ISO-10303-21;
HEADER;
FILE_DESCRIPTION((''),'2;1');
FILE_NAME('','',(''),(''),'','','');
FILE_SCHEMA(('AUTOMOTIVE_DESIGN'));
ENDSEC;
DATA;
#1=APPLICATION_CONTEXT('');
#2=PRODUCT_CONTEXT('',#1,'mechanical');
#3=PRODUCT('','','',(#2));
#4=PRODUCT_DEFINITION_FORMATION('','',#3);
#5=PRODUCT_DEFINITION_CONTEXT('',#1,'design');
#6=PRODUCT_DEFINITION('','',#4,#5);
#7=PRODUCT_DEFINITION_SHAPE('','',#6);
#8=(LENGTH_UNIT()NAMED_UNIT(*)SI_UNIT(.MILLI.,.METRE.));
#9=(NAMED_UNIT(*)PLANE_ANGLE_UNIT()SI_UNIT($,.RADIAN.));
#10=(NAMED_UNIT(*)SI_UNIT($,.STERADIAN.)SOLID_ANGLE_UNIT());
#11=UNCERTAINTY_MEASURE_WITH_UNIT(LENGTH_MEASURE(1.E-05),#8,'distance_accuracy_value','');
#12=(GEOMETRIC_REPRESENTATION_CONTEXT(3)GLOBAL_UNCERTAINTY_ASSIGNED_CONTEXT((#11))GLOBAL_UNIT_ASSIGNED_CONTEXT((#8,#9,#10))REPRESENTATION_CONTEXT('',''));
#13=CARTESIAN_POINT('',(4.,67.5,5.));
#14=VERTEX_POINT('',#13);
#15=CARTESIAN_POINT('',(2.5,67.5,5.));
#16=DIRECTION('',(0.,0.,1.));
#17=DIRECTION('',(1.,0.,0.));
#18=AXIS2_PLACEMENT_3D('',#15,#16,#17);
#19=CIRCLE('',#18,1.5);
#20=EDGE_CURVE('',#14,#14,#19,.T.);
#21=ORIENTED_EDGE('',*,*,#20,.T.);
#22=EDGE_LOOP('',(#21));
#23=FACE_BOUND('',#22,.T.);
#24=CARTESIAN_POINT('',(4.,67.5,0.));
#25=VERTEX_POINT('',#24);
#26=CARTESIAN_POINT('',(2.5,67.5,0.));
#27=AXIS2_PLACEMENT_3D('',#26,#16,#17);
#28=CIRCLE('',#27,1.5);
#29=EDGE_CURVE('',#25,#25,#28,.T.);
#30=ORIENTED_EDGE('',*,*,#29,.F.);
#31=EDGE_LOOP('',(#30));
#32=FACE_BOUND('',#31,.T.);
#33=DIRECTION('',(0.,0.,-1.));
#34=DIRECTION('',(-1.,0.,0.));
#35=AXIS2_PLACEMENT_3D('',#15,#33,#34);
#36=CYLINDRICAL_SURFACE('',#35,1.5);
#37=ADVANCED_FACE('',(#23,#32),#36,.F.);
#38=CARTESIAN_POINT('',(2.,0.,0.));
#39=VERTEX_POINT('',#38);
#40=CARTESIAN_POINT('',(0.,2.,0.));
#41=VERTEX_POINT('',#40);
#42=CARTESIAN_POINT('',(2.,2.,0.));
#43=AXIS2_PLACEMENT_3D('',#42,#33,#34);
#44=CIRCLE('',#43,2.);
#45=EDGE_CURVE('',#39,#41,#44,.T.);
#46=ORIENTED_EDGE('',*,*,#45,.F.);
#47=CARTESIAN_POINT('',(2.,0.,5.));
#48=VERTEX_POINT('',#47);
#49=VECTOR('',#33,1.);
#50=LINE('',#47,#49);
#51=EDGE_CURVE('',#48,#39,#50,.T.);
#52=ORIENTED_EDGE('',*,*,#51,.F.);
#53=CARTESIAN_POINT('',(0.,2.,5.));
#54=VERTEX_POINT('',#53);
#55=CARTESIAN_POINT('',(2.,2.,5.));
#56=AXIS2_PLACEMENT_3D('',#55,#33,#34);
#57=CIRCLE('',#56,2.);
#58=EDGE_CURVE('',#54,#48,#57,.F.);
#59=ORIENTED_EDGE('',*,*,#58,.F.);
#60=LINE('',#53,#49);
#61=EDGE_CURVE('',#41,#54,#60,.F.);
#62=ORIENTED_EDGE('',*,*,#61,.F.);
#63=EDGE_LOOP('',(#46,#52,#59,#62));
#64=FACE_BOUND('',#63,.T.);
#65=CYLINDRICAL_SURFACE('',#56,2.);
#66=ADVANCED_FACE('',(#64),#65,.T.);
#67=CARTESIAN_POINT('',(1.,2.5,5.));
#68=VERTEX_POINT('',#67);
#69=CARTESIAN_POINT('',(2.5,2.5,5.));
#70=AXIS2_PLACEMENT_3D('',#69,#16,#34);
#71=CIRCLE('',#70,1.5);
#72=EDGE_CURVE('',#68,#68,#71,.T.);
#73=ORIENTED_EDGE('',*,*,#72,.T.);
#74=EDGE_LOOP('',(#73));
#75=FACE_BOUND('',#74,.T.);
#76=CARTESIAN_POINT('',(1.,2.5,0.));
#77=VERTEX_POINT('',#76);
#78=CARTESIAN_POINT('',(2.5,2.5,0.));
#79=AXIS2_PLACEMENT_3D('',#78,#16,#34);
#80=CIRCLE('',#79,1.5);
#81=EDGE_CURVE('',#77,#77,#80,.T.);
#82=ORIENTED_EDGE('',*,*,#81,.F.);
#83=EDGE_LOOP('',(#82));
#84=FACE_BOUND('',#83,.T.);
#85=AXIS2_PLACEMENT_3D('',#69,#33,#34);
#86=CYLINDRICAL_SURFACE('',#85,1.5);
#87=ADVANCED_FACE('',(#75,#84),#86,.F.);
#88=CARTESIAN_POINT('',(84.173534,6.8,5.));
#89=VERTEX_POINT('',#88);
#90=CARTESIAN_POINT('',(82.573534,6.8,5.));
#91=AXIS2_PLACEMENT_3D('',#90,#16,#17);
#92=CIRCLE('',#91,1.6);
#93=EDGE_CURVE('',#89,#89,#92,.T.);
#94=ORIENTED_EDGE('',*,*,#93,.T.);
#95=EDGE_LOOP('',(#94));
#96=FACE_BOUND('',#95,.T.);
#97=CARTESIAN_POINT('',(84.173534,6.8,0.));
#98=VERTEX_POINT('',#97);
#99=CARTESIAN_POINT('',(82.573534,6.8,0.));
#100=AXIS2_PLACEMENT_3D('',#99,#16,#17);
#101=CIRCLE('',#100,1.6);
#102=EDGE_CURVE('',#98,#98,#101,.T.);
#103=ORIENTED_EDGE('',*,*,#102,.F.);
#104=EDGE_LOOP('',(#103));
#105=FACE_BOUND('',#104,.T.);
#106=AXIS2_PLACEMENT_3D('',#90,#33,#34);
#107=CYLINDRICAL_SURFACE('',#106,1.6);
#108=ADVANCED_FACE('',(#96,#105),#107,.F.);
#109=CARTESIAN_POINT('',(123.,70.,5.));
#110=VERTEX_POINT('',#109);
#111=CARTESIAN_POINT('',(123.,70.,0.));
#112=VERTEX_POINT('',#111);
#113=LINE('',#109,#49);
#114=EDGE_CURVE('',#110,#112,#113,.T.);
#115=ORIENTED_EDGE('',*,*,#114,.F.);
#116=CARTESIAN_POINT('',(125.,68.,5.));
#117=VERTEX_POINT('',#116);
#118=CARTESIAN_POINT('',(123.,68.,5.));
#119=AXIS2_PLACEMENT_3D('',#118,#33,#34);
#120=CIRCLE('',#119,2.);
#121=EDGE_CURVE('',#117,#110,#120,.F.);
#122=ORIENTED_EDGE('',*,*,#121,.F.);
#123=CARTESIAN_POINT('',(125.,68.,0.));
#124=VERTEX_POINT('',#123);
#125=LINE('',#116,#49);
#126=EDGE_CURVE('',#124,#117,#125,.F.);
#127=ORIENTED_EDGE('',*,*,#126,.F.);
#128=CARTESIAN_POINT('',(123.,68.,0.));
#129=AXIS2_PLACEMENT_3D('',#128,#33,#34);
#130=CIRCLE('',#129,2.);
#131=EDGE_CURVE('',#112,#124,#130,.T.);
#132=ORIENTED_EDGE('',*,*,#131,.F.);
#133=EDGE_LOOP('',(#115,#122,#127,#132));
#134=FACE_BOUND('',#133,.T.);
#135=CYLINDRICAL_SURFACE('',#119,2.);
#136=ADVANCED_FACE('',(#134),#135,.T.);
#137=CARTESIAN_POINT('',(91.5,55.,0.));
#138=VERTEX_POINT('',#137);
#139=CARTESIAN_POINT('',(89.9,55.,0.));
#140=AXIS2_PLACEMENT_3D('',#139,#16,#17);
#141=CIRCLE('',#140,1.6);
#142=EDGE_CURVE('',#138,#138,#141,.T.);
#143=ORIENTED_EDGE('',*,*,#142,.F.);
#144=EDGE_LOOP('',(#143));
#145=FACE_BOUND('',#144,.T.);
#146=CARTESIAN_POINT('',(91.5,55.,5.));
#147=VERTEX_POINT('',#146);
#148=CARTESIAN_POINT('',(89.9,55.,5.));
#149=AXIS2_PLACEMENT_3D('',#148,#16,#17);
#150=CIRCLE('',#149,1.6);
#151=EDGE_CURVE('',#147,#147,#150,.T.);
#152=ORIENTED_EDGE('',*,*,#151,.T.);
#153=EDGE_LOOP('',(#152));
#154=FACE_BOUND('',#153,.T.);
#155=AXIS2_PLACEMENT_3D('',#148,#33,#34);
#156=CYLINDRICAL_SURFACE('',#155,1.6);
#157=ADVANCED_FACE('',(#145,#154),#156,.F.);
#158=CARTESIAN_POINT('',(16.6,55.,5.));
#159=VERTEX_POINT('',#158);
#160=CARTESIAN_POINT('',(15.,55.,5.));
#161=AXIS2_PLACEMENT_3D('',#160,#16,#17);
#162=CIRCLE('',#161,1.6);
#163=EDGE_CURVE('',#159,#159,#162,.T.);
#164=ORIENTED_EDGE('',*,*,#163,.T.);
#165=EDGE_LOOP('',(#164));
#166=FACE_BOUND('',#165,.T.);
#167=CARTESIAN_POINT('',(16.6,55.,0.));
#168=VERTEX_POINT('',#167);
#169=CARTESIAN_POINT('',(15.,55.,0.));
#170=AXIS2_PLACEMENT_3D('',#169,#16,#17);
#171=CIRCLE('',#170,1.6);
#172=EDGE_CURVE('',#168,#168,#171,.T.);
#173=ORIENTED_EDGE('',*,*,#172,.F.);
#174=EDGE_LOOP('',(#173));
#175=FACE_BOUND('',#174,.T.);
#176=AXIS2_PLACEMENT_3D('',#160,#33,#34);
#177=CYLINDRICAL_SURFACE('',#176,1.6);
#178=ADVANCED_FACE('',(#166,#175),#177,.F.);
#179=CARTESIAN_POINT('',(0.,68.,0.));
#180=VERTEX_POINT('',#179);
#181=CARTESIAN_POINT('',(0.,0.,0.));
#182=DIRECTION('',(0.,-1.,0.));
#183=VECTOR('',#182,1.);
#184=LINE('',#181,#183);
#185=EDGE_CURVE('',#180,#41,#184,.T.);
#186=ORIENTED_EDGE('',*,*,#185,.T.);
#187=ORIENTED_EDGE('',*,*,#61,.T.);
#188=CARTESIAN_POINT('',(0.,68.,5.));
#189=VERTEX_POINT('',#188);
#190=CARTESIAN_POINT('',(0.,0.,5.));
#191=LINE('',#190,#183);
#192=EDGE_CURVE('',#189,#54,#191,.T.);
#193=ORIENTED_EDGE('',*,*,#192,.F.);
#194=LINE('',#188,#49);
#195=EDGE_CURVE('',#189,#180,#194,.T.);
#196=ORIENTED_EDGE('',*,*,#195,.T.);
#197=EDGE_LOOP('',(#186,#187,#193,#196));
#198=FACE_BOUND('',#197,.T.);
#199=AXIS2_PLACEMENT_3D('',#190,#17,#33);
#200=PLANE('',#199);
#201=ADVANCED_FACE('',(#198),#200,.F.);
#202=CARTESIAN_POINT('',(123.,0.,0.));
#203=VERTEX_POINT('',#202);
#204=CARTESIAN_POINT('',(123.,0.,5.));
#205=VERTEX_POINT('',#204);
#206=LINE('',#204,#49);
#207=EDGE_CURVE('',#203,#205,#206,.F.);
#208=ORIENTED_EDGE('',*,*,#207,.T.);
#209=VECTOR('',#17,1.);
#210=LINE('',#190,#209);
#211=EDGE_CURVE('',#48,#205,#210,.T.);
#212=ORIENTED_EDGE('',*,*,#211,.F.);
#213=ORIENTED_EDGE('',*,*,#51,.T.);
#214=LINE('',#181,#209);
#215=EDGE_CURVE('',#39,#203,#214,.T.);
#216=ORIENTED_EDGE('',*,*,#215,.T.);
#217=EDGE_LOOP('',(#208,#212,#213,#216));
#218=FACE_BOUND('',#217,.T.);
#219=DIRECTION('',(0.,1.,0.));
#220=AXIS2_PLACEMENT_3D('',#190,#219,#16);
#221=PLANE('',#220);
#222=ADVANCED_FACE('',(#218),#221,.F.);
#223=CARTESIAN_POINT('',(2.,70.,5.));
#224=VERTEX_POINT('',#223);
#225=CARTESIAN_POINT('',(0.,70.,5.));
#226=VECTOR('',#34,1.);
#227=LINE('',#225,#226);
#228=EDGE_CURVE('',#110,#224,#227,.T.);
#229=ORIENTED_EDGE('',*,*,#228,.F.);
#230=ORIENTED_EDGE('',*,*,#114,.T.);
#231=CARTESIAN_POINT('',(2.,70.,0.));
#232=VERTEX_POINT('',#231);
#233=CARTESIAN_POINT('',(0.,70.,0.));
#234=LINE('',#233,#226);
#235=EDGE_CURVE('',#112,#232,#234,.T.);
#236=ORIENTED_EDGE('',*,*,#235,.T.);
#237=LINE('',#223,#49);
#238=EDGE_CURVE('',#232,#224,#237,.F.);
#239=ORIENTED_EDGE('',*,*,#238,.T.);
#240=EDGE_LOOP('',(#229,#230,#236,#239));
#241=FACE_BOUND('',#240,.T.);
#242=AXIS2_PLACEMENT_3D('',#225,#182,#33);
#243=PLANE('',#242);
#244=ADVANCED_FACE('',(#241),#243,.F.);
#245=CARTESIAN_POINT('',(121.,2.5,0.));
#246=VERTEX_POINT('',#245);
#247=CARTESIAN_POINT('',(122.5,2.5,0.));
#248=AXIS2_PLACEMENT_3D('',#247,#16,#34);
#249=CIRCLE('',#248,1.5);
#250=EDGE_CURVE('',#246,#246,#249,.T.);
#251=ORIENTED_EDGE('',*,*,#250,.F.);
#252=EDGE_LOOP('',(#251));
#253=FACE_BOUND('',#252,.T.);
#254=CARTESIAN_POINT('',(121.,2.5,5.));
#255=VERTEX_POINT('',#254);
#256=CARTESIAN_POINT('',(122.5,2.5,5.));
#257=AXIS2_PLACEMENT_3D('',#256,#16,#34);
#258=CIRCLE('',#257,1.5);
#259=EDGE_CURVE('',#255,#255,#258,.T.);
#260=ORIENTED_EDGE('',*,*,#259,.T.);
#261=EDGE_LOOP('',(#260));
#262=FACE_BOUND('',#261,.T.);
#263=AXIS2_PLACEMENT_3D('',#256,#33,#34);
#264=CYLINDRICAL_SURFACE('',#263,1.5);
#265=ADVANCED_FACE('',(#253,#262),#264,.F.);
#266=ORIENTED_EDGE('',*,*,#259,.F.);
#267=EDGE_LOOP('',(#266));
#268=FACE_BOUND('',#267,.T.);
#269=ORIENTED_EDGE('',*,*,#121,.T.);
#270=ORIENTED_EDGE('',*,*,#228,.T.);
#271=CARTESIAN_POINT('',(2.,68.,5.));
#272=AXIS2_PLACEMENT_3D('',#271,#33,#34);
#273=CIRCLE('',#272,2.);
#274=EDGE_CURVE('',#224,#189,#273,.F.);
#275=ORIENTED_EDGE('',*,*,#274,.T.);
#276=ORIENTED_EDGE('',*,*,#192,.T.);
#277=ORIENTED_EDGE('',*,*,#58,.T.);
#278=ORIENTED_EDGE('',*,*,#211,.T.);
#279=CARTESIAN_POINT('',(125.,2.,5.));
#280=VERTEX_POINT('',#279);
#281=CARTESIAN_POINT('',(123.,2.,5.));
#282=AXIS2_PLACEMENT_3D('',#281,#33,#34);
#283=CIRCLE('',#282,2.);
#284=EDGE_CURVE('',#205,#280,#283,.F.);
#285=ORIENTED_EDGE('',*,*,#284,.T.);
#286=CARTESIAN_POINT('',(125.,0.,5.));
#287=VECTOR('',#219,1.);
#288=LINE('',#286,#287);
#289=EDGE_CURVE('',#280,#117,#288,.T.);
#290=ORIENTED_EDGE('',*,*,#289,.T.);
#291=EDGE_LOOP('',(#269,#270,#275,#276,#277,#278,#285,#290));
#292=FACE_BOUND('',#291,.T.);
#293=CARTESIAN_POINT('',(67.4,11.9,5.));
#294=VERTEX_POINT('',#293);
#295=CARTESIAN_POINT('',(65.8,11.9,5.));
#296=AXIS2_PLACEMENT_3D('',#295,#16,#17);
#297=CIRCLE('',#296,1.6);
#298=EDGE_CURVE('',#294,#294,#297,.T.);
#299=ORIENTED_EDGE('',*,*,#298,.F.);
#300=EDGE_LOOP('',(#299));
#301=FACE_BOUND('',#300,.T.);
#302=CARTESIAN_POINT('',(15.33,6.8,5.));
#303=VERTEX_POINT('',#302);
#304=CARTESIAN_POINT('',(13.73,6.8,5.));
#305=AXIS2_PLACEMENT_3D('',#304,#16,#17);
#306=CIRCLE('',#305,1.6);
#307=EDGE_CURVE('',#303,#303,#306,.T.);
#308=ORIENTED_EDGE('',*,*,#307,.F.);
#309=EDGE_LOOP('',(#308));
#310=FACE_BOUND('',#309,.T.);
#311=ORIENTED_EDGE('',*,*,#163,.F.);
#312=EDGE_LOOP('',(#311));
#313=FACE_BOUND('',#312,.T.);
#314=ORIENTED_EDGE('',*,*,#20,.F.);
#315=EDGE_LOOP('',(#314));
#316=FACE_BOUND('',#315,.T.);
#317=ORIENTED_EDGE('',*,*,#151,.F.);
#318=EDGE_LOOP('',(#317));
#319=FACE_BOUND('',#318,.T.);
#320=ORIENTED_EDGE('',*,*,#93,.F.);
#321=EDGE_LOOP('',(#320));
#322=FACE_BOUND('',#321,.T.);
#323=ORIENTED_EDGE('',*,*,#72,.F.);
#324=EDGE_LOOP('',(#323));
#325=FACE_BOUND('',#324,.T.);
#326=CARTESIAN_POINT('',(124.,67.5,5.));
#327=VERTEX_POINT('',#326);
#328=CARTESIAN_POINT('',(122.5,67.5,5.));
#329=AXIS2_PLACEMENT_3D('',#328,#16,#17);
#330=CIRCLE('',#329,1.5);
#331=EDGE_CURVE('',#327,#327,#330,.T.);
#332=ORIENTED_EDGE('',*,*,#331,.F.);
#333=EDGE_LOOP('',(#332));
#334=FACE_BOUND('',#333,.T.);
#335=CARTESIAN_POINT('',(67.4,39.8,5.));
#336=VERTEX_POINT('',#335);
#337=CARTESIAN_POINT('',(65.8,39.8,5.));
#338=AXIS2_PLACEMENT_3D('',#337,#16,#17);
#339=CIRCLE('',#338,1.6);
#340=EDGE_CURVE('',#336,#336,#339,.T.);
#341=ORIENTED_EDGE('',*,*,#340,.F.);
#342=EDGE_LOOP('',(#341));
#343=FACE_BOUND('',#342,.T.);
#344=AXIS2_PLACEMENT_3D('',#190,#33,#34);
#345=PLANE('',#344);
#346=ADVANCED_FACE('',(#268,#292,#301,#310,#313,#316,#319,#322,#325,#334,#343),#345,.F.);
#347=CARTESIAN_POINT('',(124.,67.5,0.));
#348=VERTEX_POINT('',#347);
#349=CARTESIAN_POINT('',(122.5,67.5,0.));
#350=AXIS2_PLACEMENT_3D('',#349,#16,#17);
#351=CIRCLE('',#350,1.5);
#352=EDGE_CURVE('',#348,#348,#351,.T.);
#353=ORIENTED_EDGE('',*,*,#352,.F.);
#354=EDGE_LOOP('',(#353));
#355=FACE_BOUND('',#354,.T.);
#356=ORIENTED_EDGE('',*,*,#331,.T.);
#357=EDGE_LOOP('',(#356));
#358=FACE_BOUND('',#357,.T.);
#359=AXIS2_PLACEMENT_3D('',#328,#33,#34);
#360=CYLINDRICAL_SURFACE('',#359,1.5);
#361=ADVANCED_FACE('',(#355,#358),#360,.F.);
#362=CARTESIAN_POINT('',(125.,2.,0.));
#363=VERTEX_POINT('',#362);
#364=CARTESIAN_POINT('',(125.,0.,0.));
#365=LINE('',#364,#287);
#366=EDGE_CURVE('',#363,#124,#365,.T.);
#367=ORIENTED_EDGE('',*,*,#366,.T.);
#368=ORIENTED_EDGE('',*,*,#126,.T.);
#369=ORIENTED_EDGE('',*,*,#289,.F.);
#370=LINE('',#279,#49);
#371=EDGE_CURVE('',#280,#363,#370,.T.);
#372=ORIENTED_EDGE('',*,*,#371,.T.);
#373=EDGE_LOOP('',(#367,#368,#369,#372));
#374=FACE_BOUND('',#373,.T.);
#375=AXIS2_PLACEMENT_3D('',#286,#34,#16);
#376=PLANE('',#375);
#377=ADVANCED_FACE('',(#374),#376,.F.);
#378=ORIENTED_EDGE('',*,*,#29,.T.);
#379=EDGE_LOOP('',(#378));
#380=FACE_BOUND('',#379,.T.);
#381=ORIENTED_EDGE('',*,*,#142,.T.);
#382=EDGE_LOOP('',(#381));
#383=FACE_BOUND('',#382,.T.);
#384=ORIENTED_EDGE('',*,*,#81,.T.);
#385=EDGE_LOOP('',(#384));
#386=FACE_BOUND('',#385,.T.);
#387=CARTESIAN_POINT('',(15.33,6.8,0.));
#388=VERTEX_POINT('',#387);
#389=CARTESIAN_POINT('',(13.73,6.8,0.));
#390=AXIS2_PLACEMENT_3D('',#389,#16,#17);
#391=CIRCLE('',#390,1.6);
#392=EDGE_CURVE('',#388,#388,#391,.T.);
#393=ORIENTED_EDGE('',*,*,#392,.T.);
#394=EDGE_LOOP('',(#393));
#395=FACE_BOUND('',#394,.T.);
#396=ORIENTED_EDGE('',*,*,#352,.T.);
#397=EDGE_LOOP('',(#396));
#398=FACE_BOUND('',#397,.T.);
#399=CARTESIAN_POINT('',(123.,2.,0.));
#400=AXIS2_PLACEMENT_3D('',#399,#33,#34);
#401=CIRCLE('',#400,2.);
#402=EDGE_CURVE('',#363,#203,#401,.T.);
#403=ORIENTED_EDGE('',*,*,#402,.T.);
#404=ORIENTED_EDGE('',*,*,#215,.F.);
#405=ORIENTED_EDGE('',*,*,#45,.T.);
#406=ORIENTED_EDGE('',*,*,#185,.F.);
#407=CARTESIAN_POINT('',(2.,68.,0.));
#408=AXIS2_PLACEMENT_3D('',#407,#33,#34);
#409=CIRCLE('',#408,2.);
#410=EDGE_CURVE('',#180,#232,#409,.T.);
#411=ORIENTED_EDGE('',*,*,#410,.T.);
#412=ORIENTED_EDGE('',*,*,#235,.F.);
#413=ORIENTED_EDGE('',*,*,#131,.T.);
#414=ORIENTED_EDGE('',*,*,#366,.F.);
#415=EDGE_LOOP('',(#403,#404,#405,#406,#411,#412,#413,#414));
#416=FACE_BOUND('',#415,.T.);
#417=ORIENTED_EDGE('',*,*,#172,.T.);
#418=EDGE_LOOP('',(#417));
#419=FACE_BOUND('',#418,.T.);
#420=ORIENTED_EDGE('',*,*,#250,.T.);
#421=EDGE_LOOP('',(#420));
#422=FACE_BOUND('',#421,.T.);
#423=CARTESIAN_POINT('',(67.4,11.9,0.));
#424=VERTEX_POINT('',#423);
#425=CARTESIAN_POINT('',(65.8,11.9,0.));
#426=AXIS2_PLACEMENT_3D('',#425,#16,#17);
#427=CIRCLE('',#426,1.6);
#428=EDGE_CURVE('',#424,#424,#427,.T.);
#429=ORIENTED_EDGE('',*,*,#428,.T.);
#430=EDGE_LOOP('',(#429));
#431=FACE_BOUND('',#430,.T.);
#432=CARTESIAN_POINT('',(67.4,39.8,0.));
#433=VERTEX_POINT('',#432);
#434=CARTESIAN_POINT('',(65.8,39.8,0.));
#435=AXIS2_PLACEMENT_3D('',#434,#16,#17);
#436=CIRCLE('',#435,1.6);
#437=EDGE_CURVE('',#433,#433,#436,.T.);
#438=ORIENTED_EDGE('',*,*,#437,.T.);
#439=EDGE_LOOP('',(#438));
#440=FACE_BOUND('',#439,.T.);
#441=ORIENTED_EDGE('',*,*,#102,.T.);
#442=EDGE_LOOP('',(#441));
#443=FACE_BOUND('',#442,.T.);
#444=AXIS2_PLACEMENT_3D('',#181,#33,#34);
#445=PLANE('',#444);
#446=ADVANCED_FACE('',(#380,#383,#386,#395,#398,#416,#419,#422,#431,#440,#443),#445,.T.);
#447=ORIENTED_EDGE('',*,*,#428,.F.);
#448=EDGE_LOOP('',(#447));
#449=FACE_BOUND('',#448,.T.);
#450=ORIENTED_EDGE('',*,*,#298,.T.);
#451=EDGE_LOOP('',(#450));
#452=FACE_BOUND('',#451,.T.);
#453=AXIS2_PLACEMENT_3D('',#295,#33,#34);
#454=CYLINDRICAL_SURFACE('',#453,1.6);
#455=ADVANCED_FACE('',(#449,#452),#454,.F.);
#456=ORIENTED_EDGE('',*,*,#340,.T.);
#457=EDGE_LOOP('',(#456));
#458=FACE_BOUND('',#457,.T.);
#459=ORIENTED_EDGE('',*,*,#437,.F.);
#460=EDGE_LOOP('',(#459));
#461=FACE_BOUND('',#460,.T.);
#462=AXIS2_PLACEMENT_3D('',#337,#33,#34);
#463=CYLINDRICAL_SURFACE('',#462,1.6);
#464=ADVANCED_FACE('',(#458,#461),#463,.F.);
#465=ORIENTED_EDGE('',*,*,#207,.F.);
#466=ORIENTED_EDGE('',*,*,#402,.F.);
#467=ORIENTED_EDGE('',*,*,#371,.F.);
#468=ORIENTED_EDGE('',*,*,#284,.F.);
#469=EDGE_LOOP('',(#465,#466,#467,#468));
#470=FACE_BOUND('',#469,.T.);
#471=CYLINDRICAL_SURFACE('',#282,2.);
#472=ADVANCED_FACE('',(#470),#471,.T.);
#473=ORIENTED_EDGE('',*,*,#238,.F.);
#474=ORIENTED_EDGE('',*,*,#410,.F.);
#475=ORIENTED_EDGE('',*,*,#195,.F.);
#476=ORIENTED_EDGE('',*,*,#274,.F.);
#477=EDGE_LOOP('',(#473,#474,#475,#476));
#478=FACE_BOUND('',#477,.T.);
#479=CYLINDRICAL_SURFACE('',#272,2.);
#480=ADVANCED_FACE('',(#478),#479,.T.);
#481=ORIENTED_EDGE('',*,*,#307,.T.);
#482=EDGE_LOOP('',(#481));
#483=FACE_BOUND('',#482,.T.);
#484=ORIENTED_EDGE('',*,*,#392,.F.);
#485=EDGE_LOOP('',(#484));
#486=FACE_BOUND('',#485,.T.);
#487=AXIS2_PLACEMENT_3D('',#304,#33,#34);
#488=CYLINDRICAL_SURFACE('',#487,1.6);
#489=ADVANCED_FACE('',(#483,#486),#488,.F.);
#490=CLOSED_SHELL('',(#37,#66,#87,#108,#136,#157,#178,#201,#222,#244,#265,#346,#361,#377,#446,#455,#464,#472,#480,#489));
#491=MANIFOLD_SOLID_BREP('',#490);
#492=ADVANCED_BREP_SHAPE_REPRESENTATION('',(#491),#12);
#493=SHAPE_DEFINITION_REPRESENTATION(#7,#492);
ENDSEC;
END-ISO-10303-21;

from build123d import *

# Parameters (mm, degrees)
SKETCH1_W           = 125
SKETCH1_H           = 70
SKETCH1_R           = 1.6
SKETCH1_R_2         = 1.5
BOSS_EXTRUDE1_DEPTH = 5
FILLET1_R           = 2


with BuildPart() as part:
    # Sketch1 → Boss-Extrude1 (new body)
    with BuildSketch(Plane.XY):
        with Locations((62.5, 35)):
            Rectangle(SKETCH1_W, SKETCH1_H)
        with Locations((15, 55)):
            Circle(SKETCH1_R, mode=Mode.SUBTRACT)
        with Locations((13.73, 6.8)):
            Circle(SKETCH1_R, mode=Mode.SUBTRACT)
        with Locations((82.573533757, 6.8)):
            Circle(SKETCH1_R, mode=Mode.SUBTRACT)
        with Locations((89.9, 55)):
            Circle(SKETCH1_R, mode=Mode.SUBTRACT)
        with Locations((65.8, 39.8)):
            Circle(SKETCH1_R, mode=Mode.SUBTRACT)
        with Locations((65.8, 11.9)):
            Circle(SKETCH1_R, mode=Mode.SUBTRACT)
        with Locations((2.5, 67.5)):
            Circle(SKETCH1_R_2, mode=Mode.SUBTRACT)
        with Locations((122.5, 67.5)):
            Circle(SKETCH1_R_2, mode=Mode.SUBTRACT)
        with Locations((122.5, 2.5)):
            Circle(SKETCH1_R_2, mode=Mode.SUBTRACT)
        with Locations((2.5, 2.5)):
            Circle(SKETCH1_R_2, mode=Mode.SUBTRACT)
    extrude(amount=BOSS_EXTRUDE1_DEPTH)

    # Fillet1
    fillet1_edges = [part.edges().sort_by_distance(p)[0] for p in [
        (0, 70, 2.5),
        (125, 70, 2.5),
        (125, 0, 2.5),
        (0, 0, 2.5),
    ]]
    fillet(fillet1_edges, radius=FILLET1_R)


solid = part.part
